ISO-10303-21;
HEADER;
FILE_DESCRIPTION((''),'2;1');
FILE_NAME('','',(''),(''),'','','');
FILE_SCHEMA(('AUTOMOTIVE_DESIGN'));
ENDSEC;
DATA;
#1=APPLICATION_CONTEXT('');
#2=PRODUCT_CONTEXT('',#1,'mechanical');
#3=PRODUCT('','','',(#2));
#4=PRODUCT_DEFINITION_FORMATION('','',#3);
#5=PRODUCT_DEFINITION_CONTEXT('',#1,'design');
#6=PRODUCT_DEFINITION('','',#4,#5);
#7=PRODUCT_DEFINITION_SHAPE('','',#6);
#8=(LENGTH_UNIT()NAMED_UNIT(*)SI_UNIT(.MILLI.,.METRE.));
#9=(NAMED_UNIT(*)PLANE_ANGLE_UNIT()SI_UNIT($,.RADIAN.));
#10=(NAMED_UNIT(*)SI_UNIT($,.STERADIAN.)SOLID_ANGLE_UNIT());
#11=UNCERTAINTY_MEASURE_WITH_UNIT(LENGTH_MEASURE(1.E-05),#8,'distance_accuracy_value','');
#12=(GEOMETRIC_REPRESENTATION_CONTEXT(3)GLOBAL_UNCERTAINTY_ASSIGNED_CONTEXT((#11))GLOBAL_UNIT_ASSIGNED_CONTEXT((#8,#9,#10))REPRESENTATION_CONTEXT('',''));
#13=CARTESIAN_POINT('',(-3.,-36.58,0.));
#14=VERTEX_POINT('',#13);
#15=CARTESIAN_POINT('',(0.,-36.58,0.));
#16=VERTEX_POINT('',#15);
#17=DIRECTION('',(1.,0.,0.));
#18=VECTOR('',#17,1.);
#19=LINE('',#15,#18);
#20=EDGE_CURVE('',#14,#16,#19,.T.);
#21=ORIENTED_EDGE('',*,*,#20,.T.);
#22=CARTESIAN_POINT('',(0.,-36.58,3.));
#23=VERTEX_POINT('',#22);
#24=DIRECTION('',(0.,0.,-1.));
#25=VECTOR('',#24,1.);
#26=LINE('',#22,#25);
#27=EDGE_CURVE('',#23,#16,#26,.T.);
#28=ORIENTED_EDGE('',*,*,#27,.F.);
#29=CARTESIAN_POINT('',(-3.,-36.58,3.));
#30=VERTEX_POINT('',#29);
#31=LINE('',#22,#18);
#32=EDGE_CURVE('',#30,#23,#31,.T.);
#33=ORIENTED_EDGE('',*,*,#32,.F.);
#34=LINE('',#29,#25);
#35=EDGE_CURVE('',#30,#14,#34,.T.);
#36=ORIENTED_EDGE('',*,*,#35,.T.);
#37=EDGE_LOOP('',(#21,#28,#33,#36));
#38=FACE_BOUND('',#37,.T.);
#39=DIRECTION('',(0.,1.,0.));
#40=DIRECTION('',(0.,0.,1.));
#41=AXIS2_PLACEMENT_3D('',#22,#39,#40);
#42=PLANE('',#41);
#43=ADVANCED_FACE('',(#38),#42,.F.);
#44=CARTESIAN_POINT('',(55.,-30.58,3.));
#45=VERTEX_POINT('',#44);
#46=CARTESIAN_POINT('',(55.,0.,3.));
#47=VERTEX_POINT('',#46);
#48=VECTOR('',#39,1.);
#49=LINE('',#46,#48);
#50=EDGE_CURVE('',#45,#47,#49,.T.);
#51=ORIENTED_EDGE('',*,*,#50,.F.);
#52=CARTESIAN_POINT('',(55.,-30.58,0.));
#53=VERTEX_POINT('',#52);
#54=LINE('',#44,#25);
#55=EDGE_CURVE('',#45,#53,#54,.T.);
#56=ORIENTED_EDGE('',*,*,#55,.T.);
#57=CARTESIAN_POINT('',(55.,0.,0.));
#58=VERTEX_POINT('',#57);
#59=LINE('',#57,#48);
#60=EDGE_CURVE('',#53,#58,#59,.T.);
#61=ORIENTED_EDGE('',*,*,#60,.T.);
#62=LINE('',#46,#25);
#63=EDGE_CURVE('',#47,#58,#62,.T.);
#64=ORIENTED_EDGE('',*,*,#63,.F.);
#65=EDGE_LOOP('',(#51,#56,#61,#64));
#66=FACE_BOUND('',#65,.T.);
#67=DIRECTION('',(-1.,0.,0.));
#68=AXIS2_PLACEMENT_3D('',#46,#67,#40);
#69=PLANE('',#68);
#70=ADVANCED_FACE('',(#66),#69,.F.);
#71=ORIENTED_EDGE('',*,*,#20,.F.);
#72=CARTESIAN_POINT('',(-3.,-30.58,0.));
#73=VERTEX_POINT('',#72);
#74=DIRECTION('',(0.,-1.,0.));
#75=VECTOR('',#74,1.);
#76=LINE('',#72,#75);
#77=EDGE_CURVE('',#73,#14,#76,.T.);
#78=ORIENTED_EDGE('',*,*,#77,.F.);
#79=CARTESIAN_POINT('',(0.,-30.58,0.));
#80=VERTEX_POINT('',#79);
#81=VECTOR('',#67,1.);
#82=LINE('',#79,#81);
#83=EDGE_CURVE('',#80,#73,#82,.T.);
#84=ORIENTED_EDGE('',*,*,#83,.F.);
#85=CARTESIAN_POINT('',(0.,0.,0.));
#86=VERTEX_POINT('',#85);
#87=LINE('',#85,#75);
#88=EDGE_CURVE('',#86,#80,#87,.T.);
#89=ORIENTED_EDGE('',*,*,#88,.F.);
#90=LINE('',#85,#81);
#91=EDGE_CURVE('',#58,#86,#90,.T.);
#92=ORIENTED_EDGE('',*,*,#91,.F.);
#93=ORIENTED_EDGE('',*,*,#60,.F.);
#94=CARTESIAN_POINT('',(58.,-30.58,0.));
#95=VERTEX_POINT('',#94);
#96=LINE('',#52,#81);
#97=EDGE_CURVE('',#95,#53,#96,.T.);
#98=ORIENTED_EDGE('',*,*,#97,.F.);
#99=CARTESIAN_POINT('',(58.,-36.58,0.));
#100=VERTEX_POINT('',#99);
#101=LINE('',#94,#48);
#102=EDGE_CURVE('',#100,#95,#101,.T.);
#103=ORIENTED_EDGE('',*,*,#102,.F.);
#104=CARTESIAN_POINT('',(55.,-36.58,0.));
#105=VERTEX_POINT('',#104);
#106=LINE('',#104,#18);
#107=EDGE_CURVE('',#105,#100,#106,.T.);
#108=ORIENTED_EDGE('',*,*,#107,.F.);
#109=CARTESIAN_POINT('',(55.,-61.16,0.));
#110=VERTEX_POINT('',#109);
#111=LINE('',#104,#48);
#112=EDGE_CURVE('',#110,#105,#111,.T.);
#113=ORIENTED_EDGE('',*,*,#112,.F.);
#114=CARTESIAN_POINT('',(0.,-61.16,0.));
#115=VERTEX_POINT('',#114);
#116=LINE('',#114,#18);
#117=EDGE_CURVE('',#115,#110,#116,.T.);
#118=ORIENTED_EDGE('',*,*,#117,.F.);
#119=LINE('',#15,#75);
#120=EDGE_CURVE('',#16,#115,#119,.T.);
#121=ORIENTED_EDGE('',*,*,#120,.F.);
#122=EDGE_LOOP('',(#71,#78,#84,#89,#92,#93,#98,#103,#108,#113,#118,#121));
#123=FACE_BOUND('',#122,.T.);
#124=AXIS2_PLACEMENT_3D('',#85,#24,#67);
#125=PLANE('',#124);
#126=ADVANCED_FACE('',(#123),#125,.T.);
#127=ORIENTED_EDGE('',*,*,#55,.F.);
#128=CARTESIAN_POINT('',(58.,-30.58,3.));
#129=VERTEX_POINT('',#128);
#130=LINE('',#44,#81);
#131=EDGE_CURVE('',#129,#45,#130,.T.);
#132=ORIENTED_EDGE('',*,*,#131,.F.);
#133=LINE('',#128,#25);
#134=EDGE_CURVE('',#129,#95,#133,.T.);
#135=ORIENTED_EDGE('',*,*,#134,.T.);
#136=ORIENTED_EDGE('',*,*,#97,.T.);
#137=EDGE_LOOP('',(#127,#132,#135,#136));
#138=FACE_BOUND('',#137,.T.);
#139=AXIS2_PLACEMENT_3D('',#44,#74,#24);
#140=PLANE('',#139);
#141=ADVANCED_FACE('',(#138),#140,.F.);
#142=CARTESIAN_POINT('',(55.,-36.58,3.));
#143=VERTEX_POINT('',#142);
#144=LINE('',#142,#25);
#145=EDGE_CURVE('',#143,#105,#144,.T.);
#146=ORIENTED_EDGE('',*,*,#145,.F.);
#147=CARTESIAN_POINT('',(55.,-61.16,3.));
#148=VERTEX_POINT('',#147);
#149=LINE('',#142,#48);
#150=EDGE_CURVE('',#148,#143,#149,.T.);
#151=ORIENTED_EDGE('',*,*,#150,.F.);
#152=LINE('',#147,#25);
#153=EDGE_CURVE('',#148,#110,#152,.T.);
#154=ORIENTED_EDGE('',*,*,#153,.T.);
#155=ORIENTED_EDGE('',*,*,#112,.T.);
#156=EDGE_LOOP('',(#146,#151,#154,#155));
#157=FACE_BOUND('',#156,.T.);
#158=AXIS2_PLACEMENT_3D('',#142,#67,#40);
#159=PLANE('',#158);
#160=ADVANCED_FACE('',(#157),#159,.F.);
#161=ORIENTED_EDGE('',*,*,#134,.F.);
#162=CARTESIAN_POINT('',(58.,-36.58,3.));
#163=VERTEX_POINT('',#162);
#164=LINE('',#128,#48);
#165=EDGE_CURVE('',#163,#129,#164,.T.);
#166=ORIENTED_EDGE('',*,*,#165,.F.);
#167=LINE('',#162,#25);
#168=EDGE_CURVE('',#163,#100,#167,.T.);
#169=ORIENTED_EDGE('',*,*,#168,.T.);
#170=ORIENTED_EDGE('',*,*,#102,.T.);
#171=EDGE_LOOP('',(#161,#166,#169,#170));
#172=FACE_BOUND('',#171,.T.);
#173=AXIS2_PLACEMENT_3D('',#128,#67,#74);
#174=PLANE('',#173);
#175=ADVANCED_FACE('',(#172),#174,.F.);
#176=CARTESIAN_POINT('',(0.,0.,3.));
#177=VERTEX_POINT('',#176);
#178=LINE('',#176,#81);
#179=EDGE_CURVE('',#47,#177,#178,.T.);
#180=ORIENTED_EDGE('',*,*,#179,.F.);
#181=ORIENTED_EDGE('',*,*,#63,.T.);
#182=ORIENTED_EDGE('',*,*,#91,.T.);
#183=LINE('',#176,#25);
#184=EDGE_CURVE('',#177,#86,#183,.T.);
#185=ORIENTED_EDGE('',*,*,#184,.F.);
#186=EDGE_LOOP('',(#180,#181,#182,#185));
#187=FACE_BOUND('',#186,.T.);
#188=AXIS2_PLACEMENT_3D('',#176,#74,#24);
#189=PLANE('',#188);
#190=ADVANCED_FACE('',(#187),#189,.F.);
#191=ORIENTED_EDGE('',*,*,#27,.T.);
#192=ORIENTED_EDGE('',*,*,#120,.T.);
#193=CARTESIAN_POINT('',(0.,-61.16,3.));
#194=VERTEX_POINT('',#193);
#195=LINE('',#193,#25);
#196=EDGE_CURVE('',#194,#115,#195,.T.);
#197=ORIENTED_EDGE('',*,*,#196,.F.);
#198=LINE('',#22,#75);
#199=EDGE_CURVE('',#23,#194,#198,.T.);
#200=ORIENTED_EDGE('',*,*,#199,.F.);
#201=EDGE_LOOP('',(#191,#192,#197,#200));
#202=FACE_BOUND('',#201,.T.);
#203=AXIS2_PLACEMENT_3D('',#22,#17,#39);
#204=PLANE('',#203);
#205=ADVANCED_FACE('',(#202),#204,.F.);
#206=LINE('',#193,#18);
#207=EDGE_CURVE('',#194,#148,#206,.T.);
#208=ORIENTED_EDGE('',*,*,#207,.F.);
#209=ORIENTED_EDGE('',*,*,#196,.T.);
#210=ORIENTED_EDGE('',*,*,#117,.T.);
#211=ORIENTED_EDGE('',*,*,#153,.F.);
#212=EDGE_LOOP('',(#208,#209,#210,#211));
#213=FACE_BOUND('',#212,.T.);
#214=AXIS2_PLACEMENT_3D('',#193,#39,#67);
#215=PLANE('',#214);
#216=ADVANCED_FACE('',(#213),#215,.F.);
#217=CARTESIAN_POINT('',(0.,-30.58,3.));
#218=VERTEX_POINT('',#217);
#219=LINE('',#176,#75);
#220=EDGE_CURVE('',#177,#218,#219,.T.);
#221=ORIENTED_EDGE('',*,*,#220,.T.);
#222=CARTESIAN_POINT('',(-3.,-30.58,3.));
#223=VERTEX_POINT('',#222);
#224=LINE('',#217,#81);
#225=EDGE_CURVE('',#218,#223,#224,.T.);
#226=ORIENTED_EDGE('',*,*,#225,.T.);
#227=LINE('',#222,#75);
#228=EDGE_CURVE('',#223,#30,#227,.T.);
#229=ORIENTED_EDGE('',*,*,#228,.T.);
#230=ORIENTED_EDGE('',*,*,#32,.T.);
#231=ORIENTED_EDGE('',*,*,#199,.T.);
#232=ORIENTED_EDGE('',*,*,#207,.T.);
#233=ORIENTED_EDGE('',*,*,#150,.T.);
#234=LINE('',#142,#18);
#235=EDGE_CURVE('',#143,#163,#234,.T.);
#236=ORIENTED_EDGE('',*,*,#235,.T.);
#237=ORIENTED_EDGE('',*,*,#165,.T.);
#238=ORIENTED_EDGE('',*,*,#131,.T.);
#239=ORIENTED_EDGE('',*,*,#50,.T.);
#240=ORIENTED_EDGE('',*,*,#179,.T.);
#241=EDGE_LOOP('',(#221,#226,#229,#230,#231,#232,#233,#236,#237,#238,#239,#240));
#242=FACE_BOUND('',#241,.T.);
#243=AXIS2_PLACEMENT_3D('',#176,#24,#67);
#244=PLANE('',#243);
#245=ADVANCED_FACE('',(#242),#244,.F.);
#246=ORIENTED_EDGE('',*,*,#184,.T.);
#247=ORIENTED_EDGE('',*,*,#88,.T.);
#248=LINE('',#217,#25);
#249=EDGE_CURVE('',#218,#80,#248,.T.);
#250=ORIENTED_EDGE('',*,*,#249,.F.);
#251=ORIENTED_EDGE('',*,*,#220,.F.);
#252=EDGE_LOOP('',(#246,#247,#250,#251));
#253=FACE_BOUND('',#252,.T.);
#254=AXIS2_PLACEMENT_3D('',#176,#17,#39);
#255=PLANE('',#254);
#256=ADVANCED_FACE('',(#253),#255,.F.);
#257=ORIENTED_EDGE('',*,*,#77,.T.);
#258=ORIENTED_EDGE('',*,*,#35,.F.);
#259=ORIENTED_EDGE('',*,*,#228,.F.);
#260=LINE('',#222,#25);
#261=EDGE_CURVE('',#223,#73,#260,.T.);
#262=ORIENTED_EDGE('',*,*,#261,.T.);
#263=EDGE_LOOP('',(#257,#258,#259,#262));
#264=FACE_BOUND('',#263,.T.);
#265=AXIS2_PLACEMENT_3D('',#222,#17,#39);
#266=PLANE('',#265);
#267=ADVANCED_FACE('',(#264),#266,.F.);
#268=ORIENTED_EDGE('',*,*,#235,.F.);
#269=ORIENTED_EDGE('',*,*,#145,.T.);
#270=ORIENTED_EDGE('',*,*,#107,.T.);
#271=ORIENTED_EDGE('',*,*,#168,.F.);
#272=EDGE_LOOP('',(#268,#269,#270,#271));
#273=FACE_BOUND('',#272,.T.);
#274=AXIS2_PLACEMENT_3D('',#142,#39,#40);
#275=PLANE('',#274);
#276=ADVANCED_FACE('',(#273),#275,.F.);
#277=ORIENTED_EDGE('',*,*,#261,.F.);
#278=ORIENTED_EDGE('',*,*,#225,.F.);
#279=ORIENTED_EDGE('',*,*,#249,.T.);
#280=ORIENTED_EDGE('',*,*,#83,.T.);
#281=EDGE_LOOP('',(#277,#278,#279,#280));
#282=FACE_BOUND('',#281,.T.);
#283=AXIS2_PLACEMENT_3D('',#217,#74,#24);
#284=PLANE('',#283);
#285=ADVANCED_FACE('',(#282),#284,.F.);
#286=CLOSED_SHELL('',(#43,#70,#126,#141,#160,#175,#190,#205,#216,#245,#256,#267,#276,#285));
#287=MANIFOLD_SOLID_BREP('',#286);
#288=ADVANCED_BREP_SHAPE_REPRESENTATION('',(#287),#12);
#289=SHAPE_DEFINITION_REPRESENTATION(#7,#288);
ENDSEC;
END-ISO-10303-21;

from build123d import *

# Parameters (mm, degrees)
P_IDAT_VYSUNUT_M1_DEPTH = 3


with BuildPart() as part:
    # Skica1 → Přidat vysunutím1 (new body)
    with BuildSketch(Plane.XY):
        Polygon((55, -36.58), (55, -61.16), (0, -61.16), (0, -36.58), (-3, -36.58), (-3, -30.58), (0, -30.58), (0, 0), (55, 0), (55, -30.58), (58, -30.58), (58, -36.58), align=None)
    extrude(amount=P_IDAT_VYSUNUT_M1_DEPTH)


solid = part.part
